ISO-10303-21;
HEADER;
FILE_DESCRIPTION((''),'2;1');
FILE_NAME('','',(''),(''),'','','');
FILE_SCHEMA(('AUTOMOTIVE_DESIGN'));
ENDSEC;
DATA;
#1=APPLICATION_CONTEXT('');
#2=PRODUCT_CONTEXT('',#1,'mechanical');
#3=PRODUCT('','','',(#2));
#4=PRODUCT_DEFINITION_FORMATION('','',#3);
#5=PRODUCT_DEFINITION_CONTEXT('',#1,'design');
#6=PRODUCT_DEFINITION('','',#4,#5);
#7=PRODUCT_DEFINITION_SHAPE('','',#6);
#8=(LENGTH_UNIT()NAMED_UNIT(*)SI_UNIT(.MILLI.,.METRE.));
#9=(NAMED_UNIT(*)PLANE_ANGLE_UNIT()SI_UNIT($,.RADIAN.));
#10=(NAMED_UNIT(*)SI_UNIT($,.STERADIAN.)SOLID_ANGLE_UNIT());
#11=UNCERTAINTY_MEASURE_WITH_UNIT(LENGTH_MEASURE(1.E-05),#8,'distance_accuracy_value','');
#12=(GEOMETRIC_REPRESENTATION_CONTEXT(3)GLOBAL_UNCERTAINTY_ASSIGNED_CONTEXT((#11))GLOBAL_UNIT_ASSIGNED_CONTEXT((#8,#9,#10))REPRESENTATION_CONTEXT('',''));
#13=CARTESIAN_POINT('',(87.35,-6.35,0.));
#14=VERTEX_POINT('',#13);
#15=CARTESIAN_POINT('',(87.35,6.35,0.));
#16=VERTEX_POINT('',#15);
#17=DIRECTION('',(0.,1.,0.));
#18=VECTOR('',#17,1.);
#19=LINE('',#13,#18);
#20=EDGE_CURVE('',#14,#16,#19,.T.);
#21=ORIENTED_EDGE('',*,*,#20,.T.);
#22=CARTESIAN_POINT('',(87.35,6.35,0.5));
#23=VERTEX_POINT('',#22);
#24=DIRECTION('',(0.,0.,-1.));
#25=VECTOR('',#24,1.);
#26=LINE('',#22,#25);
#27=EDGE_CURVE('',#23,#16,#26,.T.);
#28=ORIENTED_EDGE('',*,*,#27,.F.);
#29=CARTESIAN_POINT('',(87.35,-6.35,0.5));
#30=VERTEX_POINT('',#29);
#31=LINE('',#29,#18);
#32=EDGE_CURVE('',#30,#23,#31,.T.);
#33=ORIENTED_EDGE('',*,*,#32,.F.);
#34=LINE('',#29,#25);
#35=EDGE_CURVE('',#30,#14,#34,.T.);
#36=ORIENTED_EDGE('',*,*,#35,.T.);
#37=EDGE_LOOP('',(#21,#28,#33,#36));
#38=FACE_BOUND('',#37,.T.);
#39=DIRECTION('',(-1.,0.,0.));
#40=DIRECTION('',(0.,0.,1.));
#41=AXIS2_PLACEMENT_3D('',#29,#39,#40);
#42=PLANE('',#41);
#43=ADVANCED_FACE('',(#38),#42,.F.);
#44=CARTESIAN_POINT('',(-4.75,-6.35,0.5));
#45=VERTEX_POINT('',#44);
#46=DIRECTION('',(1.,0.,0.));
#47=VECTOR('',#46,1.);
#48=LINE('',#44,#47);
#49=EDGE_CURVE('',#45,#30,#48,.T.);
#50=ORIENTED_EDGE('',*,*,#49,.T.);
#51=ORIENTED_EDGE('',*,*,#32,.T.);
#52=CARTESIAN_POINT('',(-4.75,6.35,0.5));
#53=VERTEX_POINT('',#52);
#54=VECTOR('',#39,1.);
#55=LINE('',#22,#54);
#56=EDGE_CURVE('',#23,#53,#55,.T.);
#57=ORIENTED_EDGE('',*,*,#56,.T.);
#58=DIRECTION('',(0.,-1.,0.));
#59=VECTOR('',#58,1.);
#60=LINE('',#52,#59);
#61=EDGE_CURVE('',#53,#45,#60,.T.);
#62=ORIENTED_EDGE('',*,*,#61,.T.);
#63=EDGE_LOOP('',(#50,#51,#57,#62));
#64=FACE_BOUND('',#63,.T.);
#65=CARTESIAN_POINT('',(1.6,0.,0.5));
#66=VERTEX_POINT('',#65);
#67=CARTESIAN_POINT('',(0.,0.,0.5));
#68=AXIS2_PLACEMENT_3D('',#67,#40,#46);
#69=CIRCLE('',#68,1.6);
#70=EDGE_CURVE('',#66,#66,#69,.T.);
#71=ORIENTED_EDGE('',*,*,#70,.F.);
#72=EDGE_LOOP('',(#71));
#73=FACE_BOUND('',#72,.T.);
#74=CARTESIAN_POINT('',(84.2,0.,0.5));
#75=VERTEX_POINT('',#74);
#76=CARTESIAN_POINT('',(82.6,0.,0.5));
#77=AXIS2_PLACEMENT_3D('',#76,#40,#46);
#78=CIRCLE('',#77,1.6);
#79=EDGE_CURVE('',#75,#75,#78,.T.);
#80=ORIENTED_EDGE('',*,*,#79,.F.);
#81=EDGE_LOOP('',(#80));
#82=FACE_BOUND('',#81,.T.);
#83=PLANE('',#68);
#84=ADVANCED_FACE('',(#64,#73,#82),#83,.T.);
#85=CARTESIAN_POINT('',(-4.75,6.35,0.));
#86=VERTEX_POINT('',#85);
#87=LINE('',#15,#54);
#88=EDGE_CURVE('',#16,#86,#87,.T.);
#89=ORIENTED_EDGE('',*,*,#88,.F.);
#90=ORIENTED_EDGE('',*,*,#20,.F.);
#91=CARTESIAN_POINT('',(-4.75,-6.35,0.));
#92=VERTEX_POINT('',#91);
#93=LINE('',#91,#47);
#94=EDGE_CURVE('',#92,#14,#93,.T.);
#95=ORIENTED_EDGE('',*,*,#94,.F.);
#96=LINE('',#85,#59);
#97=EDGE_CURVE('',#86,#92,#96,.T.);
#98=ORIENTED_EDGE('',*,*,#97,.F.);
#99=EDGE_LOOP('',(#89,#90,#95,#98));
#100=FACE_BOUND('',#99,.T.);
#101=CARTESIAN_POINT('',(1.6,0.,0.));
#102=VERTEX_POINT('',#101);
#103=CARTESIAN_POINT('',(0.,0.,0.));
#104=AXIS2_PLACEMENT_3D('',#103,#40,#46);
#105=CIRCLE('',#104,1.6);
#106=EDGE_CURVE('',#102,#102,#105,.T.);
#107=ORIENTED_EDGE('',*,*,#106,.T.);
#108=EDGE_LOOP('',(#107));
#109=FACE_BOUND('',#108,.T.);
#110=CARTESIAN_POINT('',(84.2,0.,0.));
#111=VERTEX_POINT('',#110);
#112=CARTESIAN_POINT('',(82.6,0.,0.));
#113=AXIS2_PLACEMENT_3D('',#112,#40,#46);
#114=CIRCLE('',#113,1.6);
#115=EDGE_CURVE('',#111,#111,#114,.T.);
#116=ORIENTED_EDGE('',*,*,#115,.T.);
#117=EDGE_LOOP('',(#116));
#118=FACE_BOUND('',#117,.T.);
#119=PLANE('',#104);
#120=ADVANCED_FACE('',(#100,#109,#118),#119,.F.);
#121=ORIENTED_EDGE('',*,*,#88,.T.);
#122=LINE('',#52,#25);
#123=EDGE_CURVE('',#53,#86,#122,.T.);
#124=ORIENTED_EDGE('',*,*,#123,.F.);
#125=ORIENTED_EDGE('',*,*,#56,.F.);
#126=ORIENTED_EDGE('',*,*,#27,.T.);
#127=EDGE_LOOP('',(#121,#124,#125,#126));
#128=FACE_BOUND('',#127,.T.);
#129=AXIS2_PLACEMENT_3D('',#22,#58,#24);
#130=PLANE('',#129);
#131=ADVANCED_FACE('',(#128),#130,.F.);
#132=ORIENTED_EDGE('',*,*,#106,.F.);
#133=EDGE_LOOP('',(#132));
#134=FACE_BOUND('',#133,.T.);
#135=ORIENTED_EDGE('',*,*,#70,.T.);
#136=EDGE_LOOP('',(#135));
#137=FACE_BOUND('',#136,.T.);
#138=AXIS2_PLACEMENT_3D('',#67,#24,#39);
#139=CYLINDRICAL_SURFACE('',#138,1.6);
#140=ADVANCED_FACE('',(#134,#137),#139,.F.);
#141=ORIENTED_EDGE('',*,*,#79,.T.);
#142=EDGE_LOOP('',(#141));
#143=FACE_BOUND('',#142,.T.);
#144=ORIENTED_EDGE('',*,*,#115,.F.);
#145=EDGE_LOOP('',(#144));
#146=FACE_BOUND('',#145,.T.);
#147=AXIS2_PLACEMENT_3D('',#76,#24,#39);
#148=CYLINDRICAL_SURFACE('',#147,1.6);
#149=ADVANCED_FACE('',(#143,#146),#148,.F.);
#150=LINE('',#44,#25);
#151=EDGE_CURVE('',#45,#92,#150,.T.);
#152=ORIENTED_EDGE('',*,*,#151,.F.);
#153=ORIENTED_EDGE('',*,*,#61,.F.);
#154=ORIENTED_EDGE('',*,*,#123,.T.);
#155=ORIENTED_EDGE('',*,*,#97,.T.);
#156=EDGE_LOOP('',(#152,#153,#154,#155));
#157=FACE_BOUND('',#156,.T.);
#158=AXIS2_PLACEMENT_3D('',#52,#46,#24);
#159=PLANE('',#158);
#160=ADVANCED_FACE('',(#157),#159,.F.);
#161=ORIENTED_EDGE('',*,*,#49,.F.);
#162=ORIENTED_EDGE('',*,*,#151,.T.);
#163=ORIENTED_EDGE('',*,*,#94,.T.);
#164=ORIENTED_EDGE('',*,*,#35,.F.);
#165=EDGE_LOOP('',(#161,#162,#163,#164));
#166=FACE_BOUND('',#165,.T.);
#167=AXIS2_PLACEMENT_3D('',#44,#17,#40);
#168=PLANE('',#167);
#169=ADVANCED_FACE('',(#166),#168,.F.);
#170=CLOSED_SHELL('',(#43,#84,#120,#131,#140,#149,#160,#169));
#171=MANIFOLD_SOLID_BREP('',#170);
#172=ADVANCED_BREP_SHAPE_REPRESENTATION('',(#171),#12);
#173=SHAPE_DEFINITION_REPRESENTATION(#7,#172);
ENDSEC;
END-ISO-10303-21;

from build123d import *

# Parameters (mm, degrees)
SKETCH1_W           = 92.1
SKETCH1_H           = 12.7
SKETCH1_R           = 1.6
BOSS_EXTRUDE1_DEPTH = 0.5


with BuildPart() as part:
    # Sketch1 → Boss-Extrude1 (new body)
    with BuildSketch(Plane.XY):
        with Locations((41.3, 0)):
            Rectangle(SKETCH1_W, SKETCH1_H)
        Circle(SKETCH1_R, mode=Mode.SUBTRACT)
        with Locations((82.6, 0)):
            Circle(SKETCH1_R, mode=Mode.SUBTRACT)
    extrude(amount=BOSS_EXTRUDE1_DEPTH)


solid = part.part
